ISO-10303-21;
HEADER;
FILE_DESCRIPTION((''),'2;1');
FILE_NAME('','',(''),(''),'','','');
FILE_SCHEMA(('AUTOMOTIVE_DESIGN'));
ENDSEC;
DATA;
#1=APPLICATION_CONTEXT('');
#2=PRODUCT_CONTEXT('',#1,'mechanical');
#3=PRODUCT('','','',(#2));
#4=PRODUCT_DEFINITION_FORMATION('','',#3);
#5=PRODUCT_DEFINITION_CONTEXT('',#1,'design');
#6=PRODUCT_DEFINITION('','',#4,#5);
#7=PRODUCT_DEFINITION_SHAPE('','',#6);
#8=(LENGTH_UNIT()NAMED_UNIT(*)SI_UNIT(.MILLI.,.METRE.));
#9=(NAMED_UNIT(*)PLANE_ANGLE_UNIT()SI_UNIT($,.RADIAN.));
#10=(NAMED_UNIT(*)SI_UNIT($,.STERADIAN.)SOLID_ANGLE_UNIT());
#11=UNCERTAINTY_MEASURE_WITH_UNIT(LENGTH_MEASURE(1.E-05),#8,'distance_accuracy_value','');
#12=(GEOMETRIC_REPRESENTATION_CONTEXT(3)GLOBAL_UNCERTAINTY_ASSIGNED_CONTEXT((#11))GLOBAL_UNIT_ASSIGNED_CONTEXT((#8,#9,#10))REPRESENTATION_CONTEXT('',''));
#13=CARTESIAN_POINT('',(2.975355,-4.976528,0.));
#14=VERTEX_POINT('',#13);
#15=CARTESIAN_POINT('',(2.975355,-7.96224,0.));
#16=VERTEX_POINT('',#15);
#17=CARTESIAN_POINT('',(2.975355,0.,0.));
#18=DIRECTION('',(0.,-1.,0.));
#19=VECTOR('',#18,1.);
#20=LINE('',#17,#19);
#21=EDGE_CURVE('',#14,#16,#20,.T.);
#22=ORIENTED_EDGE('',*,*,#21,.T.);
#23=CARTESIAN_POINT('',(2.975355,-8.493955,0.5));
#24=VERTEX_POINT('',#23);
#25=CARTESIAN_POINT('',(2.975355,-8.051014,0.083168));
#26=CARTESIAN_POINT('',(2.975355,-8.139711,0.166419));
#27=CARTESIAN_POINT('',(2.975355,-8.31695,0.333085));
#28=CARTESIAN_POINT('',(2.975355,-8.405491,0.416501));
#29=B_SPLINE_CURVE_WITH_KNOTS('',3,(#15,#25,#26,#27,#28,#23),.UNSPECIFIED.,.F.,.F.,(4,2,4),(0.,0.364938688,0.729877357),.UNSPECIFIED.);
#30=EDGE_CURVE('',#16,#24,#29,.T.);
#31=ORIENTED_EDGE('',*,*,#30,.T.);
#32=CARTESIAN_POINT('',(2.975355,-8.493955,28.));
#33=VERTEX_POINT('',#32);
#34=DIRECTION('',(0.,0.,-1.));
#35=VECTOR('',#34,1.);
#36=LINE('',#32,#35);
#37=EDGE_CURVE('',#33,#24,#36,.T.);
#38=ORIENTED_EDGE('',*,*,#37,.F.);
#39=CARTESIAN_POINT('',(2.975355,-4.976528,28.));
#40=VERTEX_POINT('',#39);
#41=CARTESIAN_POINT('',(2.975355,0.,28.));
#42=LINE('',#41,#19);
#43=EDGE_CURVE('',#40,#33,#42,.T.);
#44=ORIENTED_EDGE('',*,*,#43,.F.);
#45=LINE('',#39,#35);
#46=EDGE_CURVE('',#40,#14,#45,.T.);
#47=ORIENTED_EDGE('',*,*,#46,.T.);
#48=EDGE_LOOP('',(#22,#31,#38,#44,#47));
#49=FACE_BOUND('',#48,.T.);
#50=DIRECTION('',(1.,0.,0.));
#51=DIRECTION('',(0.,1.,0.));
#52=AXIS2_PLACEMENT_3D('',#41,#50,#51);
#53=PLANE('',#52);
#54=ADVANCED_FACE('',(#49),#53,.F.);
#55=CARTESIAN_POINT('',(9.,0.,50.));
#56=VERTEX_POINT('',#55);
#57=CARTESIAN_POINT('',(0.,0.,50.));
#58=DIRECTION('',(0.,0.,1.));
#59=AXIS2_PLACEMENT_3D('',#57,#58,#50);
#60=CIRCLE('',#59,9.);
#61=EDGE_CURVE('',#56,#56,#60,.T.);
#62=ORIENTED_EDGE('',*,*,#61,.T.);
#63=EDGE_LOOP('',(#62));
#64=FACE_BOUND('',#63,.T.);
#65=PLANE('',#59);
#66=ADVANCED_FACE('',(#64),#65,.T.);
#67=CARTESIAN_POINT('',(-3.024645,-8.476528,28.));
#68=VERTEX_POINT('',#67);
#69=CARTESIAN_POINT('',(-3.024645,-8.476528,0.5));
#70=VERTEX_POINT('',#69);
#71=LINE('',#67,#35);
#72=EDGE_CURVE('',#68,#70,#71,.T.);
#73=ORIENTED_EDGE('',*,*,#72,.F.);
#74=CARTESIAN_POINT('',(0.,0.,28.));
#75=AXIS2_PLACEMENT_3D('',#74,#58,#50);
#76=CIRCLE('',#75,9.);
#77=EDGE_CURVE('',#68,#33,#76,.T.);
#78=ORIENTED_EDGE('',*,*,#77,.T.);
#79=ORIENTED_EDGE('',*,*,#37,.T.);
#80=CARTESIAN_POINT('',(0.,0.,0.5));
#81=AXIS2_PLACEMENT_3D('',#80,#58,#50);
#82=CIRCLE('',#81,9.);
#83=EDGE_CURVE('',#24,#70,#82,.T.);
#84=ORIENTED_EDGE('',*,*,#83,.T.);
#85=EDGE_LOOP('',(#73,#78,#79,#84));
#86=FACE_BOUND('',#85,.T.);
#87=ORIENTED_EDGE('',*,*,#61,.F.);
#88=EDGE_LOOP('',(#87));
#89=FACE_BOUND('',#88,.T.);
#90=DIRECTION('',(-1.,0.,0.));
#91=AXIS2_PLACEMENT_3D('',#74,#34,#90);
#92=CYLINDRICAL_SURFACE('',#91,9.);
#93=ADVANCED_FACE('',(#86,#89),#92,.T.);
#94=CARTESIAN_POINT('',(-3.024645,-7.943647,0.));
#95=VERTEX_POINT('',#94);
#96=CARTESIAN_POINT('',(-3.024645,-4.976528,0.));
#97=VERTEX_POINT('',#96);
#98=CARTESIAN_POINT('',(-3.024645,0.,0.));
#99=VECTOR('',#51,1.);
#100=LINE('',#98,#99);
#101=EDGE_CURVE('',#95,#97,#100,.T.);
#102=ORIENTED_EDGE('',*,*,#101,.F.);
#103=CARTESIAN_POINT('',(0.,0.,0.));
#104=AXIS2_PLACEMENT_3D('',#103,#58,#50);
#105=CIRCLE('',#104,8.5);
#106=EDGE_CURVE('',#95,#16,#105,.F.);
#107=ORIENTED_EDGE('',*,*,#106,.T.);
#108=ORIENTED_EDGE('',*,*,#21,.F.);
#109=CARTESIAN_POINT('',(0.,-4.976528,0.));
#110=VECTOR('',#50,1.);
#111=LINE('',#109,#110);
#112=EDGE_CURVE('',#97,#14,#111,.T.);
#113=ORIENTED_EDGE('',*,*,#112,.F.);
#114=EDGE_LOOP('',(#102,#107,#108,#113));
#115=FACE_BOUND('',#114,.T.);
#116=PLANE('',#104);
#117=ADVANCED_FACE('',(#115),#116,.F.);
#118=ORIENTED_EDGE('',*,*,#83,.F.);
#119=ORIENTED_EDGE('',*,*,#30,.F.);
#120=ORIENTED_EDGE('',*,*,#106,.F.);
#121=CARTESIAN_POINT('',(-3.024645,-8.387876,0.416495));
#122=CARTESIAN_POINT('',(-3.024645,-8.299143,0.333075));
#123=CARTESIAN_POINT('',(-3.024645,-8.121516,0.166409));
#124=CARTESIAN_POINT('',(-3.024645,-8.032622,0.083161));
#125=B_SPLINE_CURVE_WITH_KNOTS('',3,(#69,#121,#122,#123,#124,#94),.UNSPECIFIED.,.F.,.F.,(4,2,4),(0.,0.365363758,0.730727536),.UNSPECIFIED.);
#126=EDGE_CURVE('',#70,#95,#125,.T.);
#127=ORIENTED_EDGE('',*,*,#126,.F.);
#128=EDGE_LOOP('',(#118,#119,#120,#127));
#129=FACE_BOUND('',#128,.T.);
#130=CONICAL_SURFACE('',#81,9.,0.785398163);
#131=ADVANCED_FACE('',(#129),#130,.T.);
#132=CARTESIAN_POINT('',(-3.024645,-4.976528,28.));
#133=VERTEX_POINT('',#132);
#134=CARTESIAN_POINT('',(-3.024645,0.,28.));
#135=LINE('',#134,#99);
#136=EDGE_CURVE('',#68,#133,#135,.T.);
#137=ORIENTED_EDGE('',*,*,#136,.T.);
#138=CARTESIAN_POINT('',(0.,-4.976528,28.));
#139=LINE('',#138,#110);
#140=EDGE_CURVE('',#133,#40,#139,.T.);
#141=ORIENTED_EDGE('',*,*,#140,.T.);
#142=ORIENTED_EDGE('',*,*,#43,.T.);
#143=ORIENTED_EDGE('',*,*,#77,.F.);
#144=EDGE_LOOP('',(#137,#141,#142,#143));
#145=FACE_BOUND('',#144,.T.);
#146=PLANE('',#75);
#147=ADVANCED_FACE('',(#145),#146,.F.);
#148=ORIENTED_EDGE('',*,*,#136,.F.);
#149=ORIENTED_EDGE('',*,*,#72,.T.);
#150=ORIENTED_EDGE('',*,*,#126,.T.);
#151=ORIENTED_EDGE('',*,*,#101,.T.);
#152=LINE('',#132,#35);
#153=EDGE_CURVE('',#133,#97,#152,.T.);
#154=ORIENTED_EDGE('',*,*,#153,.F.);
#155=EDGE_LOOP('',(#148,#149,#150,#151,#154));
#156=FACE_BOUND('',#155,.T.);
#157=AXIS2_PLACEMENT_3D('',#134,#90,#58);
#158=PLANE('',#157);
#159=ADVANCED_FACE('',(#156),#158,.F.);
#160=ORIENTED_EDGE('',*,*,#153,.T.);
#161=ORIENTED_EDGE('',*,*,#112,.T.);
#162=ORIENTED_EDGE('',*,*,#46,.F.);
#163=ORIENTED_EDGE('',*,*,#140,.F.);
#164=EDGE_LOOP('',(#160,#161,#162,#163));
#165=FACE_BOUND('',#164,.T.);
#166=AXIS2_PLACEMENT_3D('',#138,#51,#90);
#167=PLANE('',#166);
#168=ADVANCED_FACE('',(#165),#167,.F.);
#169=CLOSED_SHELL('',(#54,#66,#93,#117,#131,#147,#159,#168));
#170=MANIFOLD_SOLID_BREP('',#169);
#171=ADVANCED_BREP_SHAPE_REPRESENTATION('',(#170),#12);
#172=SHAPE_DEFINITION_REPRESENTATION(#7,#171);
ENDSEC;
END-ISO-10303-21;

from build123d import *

# Parameters (mm, degrees)
RESSALTO_EXTRUS_O1_DEPTH = 28
ESBO_O3_R                = 9
RESSALTO_EXTRUS_O2_DEPTH = 22
CHANFRO2_SIZE            = 0.5


with BuildPart() as part:
    # Esboço2 → Ressalto-extrusão1 (new body)
    with BuildSketch(Plane.XY):
        with BuildLine():
            Line((-3.024645143, -8.476527695), (-3.024645143, -4.976527695))
            Line((-3.024645143, -4.976527695), (2.975354857, -4.976527695))
            Line((2.975354857, -4.976527695), (2.975354857, -8.493954525))
            ThreePointArc((2.975354857, -8.493954525), (0.026140135, 8.999962038), (-3.024645143, -8.476527695))
        make_face()
    extrude(amount=RESSALTO_EXTRUS_O1_DEPTH)

    # Esboço3 → Ressalto-extrusão2 (add)
    with BuildSketch(Plane.XY.offset(28)):
        with Locations(Location((0, 0, 0), (0, 0, 250.362280418))):
            Circle(ESBO_O3_R)
    extrude(amount=RESSALTO_EXTRUS_O2_DEPTH)

    # Chanfro2
    chanfro2_edges = [part.edges().sort_by_distance(p)[0] for p in [
        (0.026140135, 8.999962038, 0),
    ]]
    chamfer(chanfro2_edges, length=CHANFRO2_SIZE)


solid = part.part
